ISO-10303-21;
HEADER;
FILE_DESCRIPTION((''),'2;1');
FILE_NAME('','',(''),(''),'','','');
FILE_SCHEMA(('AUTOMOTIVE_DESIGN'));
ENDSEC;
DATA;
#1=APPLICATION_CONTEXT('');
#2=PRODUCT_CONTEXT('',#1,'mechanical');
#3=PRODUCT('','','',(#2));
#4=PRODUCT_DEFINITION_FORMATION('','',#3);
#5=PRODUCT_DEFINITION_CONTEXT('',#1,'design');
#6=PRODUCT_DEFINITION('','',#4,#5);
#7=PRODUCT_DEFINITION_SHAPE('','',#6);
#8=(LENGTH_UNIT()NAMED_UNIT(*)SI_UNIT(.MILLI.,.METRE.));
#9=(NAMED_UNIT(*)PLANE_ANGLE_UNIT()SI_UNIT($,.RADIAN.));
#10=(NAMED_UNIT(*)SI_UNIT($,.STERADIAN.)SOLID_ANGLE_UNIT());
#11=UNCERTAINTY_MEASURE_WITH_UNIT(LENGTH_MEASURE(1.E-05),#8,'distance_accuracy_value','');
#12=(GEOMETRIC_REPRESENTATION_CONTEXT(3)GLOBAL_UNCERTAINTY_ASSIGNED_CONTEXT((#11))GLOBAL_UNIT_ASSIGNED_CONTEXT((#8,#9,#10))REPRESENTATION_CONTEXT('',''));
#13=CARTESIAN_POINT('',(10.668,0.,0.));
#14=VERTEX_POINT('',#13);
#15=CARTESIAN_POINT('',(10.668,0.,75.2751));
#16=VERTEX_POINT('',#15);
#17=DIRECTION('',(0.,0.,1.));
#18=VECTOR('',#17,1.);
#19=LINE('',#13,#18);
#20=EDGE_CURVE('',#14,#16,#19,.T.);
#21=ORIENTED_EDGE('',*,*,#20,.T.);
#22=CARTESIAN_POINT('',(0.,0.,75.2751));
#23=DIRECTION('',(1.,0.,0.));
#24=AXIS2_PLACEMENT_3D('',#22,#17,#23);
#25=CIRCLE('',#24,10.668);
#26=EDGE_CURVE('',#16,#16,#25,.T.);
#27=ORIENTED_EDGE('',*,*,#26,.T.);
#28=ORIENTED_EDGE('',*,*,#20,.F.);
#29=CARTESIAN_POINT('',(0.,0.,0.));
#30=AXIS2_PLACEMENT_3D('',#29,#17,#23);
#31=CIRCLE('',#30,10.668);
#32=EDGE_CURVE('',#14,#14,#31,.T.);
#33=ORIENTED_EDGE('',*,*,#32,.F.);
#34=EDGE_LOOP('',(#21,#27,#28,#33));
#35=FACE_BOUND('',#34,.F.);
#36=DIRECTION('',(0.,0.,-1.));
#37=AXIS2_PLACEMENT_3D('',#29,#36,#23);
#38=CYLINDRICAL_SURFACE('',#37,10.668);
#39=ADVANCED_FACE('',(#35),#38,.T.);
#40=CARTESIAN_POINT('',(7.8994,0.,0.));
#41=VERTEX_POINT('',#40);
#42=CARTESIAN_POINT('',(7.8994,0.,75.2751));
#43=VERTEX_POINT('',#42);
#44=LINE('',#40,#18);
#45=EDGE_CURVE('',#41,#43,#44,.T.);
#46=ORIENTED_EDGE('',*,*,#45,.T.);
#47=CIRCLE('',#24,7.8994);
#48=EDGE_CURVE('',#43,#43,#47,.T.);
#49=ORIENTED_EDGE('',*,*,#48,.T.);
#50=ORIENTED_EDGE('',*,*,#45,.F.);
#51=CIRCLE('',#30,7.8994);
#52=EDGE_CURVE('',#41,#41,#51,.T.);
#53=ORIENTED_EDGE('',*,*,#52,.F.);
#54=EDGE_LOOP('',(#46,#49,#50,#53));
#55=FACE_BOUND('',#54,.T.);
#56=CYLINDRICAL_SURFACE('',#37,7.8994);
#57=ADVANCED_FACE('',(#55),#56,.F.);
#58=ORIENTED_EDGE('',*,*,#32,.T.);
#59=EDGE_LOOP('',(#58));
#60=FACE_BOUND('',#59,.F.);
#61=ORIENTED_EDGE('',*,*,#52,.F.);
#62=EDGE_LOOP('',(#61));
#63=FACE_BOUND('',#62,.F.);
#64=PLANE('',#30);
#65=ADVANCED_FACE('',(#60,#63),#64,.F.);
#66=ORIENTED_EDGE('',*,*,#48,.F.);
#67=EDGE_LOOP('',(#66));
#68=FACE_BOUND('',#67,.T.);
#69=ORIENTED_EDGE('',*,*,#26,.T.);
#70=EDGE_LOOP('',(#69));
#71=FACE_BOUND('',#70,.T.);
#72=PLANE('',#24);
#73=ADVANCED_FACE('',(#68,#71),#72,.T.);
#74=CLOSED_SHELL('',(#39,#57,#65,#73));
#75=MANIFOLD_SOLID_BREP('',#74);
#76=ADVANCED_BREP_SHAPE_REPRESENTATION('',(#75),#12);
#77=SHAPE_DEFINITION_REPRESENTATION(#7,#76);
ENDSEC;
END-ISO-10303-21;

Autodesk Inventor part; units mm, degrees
ref_plane "YZ Plane" through (0, 0, 0) normal (1, 0, 0) x (0, 1, 0)
ref_plane "Start Plane" through (0, 0, 0) normal (0, 0, 1) x (1, 0, 0)
ref_plane "End Plane" through (0, 0, 75.2751) normal (0, 0, 1) x (1, 0, 0)
sketch "Sketch" plane through (0, 0, 0) normal (0, 0, 1) x (1, 0, 0)
  circle A0 centre (0, 0) radius 7.8994
  circle A1 centre (0, 0) radius 10.668
  dimension "d0" = 21.336
  dimension "d1" = 2.7686
extrude "Body" add sketch "Sketch" along normal up to surface (75.2751 mm away) from surface at 0
sketch "Sketch3" plane through (0, 0, 0) normal (0, 0, 1) x (1, 0, 0)
  line L0 (0, 0) -> (10, 0)
ref_plane "Work Plane3" through (0, 0, 0) normal (0, -1, 0) x (1, 0, 0)
sketch "Sketch4" plane through (0, 0, 0) normal (0, -1, 0) x (1, 0, 0)
  line L0 (-2, 0) -> (12, 0) projected
  line L1 (-2, 75.2751) -> (12, 75.2751) projected
  dimension "d7" = 75.2751
equation "\"d0\" = G_H"
equation "\"d1\" = G_T"
equation "\"d2\" = G_L"
equation "\"G_H\" = 21.336"
equation "\"G_T\" = 2.7686"
equation "\"G_L\" = d7"
equation "\"G_OFFSET_START\" = 0"
equation "\"G_OFFSET_END\" = 0"
equation "\"d5\" = G_OFFSET_END + B_L"
equation "\"B_L\" = 75.27513"
properties part number "ANSI - 1/2 x 0.109 - 2.964" material "Steel, Mild"
